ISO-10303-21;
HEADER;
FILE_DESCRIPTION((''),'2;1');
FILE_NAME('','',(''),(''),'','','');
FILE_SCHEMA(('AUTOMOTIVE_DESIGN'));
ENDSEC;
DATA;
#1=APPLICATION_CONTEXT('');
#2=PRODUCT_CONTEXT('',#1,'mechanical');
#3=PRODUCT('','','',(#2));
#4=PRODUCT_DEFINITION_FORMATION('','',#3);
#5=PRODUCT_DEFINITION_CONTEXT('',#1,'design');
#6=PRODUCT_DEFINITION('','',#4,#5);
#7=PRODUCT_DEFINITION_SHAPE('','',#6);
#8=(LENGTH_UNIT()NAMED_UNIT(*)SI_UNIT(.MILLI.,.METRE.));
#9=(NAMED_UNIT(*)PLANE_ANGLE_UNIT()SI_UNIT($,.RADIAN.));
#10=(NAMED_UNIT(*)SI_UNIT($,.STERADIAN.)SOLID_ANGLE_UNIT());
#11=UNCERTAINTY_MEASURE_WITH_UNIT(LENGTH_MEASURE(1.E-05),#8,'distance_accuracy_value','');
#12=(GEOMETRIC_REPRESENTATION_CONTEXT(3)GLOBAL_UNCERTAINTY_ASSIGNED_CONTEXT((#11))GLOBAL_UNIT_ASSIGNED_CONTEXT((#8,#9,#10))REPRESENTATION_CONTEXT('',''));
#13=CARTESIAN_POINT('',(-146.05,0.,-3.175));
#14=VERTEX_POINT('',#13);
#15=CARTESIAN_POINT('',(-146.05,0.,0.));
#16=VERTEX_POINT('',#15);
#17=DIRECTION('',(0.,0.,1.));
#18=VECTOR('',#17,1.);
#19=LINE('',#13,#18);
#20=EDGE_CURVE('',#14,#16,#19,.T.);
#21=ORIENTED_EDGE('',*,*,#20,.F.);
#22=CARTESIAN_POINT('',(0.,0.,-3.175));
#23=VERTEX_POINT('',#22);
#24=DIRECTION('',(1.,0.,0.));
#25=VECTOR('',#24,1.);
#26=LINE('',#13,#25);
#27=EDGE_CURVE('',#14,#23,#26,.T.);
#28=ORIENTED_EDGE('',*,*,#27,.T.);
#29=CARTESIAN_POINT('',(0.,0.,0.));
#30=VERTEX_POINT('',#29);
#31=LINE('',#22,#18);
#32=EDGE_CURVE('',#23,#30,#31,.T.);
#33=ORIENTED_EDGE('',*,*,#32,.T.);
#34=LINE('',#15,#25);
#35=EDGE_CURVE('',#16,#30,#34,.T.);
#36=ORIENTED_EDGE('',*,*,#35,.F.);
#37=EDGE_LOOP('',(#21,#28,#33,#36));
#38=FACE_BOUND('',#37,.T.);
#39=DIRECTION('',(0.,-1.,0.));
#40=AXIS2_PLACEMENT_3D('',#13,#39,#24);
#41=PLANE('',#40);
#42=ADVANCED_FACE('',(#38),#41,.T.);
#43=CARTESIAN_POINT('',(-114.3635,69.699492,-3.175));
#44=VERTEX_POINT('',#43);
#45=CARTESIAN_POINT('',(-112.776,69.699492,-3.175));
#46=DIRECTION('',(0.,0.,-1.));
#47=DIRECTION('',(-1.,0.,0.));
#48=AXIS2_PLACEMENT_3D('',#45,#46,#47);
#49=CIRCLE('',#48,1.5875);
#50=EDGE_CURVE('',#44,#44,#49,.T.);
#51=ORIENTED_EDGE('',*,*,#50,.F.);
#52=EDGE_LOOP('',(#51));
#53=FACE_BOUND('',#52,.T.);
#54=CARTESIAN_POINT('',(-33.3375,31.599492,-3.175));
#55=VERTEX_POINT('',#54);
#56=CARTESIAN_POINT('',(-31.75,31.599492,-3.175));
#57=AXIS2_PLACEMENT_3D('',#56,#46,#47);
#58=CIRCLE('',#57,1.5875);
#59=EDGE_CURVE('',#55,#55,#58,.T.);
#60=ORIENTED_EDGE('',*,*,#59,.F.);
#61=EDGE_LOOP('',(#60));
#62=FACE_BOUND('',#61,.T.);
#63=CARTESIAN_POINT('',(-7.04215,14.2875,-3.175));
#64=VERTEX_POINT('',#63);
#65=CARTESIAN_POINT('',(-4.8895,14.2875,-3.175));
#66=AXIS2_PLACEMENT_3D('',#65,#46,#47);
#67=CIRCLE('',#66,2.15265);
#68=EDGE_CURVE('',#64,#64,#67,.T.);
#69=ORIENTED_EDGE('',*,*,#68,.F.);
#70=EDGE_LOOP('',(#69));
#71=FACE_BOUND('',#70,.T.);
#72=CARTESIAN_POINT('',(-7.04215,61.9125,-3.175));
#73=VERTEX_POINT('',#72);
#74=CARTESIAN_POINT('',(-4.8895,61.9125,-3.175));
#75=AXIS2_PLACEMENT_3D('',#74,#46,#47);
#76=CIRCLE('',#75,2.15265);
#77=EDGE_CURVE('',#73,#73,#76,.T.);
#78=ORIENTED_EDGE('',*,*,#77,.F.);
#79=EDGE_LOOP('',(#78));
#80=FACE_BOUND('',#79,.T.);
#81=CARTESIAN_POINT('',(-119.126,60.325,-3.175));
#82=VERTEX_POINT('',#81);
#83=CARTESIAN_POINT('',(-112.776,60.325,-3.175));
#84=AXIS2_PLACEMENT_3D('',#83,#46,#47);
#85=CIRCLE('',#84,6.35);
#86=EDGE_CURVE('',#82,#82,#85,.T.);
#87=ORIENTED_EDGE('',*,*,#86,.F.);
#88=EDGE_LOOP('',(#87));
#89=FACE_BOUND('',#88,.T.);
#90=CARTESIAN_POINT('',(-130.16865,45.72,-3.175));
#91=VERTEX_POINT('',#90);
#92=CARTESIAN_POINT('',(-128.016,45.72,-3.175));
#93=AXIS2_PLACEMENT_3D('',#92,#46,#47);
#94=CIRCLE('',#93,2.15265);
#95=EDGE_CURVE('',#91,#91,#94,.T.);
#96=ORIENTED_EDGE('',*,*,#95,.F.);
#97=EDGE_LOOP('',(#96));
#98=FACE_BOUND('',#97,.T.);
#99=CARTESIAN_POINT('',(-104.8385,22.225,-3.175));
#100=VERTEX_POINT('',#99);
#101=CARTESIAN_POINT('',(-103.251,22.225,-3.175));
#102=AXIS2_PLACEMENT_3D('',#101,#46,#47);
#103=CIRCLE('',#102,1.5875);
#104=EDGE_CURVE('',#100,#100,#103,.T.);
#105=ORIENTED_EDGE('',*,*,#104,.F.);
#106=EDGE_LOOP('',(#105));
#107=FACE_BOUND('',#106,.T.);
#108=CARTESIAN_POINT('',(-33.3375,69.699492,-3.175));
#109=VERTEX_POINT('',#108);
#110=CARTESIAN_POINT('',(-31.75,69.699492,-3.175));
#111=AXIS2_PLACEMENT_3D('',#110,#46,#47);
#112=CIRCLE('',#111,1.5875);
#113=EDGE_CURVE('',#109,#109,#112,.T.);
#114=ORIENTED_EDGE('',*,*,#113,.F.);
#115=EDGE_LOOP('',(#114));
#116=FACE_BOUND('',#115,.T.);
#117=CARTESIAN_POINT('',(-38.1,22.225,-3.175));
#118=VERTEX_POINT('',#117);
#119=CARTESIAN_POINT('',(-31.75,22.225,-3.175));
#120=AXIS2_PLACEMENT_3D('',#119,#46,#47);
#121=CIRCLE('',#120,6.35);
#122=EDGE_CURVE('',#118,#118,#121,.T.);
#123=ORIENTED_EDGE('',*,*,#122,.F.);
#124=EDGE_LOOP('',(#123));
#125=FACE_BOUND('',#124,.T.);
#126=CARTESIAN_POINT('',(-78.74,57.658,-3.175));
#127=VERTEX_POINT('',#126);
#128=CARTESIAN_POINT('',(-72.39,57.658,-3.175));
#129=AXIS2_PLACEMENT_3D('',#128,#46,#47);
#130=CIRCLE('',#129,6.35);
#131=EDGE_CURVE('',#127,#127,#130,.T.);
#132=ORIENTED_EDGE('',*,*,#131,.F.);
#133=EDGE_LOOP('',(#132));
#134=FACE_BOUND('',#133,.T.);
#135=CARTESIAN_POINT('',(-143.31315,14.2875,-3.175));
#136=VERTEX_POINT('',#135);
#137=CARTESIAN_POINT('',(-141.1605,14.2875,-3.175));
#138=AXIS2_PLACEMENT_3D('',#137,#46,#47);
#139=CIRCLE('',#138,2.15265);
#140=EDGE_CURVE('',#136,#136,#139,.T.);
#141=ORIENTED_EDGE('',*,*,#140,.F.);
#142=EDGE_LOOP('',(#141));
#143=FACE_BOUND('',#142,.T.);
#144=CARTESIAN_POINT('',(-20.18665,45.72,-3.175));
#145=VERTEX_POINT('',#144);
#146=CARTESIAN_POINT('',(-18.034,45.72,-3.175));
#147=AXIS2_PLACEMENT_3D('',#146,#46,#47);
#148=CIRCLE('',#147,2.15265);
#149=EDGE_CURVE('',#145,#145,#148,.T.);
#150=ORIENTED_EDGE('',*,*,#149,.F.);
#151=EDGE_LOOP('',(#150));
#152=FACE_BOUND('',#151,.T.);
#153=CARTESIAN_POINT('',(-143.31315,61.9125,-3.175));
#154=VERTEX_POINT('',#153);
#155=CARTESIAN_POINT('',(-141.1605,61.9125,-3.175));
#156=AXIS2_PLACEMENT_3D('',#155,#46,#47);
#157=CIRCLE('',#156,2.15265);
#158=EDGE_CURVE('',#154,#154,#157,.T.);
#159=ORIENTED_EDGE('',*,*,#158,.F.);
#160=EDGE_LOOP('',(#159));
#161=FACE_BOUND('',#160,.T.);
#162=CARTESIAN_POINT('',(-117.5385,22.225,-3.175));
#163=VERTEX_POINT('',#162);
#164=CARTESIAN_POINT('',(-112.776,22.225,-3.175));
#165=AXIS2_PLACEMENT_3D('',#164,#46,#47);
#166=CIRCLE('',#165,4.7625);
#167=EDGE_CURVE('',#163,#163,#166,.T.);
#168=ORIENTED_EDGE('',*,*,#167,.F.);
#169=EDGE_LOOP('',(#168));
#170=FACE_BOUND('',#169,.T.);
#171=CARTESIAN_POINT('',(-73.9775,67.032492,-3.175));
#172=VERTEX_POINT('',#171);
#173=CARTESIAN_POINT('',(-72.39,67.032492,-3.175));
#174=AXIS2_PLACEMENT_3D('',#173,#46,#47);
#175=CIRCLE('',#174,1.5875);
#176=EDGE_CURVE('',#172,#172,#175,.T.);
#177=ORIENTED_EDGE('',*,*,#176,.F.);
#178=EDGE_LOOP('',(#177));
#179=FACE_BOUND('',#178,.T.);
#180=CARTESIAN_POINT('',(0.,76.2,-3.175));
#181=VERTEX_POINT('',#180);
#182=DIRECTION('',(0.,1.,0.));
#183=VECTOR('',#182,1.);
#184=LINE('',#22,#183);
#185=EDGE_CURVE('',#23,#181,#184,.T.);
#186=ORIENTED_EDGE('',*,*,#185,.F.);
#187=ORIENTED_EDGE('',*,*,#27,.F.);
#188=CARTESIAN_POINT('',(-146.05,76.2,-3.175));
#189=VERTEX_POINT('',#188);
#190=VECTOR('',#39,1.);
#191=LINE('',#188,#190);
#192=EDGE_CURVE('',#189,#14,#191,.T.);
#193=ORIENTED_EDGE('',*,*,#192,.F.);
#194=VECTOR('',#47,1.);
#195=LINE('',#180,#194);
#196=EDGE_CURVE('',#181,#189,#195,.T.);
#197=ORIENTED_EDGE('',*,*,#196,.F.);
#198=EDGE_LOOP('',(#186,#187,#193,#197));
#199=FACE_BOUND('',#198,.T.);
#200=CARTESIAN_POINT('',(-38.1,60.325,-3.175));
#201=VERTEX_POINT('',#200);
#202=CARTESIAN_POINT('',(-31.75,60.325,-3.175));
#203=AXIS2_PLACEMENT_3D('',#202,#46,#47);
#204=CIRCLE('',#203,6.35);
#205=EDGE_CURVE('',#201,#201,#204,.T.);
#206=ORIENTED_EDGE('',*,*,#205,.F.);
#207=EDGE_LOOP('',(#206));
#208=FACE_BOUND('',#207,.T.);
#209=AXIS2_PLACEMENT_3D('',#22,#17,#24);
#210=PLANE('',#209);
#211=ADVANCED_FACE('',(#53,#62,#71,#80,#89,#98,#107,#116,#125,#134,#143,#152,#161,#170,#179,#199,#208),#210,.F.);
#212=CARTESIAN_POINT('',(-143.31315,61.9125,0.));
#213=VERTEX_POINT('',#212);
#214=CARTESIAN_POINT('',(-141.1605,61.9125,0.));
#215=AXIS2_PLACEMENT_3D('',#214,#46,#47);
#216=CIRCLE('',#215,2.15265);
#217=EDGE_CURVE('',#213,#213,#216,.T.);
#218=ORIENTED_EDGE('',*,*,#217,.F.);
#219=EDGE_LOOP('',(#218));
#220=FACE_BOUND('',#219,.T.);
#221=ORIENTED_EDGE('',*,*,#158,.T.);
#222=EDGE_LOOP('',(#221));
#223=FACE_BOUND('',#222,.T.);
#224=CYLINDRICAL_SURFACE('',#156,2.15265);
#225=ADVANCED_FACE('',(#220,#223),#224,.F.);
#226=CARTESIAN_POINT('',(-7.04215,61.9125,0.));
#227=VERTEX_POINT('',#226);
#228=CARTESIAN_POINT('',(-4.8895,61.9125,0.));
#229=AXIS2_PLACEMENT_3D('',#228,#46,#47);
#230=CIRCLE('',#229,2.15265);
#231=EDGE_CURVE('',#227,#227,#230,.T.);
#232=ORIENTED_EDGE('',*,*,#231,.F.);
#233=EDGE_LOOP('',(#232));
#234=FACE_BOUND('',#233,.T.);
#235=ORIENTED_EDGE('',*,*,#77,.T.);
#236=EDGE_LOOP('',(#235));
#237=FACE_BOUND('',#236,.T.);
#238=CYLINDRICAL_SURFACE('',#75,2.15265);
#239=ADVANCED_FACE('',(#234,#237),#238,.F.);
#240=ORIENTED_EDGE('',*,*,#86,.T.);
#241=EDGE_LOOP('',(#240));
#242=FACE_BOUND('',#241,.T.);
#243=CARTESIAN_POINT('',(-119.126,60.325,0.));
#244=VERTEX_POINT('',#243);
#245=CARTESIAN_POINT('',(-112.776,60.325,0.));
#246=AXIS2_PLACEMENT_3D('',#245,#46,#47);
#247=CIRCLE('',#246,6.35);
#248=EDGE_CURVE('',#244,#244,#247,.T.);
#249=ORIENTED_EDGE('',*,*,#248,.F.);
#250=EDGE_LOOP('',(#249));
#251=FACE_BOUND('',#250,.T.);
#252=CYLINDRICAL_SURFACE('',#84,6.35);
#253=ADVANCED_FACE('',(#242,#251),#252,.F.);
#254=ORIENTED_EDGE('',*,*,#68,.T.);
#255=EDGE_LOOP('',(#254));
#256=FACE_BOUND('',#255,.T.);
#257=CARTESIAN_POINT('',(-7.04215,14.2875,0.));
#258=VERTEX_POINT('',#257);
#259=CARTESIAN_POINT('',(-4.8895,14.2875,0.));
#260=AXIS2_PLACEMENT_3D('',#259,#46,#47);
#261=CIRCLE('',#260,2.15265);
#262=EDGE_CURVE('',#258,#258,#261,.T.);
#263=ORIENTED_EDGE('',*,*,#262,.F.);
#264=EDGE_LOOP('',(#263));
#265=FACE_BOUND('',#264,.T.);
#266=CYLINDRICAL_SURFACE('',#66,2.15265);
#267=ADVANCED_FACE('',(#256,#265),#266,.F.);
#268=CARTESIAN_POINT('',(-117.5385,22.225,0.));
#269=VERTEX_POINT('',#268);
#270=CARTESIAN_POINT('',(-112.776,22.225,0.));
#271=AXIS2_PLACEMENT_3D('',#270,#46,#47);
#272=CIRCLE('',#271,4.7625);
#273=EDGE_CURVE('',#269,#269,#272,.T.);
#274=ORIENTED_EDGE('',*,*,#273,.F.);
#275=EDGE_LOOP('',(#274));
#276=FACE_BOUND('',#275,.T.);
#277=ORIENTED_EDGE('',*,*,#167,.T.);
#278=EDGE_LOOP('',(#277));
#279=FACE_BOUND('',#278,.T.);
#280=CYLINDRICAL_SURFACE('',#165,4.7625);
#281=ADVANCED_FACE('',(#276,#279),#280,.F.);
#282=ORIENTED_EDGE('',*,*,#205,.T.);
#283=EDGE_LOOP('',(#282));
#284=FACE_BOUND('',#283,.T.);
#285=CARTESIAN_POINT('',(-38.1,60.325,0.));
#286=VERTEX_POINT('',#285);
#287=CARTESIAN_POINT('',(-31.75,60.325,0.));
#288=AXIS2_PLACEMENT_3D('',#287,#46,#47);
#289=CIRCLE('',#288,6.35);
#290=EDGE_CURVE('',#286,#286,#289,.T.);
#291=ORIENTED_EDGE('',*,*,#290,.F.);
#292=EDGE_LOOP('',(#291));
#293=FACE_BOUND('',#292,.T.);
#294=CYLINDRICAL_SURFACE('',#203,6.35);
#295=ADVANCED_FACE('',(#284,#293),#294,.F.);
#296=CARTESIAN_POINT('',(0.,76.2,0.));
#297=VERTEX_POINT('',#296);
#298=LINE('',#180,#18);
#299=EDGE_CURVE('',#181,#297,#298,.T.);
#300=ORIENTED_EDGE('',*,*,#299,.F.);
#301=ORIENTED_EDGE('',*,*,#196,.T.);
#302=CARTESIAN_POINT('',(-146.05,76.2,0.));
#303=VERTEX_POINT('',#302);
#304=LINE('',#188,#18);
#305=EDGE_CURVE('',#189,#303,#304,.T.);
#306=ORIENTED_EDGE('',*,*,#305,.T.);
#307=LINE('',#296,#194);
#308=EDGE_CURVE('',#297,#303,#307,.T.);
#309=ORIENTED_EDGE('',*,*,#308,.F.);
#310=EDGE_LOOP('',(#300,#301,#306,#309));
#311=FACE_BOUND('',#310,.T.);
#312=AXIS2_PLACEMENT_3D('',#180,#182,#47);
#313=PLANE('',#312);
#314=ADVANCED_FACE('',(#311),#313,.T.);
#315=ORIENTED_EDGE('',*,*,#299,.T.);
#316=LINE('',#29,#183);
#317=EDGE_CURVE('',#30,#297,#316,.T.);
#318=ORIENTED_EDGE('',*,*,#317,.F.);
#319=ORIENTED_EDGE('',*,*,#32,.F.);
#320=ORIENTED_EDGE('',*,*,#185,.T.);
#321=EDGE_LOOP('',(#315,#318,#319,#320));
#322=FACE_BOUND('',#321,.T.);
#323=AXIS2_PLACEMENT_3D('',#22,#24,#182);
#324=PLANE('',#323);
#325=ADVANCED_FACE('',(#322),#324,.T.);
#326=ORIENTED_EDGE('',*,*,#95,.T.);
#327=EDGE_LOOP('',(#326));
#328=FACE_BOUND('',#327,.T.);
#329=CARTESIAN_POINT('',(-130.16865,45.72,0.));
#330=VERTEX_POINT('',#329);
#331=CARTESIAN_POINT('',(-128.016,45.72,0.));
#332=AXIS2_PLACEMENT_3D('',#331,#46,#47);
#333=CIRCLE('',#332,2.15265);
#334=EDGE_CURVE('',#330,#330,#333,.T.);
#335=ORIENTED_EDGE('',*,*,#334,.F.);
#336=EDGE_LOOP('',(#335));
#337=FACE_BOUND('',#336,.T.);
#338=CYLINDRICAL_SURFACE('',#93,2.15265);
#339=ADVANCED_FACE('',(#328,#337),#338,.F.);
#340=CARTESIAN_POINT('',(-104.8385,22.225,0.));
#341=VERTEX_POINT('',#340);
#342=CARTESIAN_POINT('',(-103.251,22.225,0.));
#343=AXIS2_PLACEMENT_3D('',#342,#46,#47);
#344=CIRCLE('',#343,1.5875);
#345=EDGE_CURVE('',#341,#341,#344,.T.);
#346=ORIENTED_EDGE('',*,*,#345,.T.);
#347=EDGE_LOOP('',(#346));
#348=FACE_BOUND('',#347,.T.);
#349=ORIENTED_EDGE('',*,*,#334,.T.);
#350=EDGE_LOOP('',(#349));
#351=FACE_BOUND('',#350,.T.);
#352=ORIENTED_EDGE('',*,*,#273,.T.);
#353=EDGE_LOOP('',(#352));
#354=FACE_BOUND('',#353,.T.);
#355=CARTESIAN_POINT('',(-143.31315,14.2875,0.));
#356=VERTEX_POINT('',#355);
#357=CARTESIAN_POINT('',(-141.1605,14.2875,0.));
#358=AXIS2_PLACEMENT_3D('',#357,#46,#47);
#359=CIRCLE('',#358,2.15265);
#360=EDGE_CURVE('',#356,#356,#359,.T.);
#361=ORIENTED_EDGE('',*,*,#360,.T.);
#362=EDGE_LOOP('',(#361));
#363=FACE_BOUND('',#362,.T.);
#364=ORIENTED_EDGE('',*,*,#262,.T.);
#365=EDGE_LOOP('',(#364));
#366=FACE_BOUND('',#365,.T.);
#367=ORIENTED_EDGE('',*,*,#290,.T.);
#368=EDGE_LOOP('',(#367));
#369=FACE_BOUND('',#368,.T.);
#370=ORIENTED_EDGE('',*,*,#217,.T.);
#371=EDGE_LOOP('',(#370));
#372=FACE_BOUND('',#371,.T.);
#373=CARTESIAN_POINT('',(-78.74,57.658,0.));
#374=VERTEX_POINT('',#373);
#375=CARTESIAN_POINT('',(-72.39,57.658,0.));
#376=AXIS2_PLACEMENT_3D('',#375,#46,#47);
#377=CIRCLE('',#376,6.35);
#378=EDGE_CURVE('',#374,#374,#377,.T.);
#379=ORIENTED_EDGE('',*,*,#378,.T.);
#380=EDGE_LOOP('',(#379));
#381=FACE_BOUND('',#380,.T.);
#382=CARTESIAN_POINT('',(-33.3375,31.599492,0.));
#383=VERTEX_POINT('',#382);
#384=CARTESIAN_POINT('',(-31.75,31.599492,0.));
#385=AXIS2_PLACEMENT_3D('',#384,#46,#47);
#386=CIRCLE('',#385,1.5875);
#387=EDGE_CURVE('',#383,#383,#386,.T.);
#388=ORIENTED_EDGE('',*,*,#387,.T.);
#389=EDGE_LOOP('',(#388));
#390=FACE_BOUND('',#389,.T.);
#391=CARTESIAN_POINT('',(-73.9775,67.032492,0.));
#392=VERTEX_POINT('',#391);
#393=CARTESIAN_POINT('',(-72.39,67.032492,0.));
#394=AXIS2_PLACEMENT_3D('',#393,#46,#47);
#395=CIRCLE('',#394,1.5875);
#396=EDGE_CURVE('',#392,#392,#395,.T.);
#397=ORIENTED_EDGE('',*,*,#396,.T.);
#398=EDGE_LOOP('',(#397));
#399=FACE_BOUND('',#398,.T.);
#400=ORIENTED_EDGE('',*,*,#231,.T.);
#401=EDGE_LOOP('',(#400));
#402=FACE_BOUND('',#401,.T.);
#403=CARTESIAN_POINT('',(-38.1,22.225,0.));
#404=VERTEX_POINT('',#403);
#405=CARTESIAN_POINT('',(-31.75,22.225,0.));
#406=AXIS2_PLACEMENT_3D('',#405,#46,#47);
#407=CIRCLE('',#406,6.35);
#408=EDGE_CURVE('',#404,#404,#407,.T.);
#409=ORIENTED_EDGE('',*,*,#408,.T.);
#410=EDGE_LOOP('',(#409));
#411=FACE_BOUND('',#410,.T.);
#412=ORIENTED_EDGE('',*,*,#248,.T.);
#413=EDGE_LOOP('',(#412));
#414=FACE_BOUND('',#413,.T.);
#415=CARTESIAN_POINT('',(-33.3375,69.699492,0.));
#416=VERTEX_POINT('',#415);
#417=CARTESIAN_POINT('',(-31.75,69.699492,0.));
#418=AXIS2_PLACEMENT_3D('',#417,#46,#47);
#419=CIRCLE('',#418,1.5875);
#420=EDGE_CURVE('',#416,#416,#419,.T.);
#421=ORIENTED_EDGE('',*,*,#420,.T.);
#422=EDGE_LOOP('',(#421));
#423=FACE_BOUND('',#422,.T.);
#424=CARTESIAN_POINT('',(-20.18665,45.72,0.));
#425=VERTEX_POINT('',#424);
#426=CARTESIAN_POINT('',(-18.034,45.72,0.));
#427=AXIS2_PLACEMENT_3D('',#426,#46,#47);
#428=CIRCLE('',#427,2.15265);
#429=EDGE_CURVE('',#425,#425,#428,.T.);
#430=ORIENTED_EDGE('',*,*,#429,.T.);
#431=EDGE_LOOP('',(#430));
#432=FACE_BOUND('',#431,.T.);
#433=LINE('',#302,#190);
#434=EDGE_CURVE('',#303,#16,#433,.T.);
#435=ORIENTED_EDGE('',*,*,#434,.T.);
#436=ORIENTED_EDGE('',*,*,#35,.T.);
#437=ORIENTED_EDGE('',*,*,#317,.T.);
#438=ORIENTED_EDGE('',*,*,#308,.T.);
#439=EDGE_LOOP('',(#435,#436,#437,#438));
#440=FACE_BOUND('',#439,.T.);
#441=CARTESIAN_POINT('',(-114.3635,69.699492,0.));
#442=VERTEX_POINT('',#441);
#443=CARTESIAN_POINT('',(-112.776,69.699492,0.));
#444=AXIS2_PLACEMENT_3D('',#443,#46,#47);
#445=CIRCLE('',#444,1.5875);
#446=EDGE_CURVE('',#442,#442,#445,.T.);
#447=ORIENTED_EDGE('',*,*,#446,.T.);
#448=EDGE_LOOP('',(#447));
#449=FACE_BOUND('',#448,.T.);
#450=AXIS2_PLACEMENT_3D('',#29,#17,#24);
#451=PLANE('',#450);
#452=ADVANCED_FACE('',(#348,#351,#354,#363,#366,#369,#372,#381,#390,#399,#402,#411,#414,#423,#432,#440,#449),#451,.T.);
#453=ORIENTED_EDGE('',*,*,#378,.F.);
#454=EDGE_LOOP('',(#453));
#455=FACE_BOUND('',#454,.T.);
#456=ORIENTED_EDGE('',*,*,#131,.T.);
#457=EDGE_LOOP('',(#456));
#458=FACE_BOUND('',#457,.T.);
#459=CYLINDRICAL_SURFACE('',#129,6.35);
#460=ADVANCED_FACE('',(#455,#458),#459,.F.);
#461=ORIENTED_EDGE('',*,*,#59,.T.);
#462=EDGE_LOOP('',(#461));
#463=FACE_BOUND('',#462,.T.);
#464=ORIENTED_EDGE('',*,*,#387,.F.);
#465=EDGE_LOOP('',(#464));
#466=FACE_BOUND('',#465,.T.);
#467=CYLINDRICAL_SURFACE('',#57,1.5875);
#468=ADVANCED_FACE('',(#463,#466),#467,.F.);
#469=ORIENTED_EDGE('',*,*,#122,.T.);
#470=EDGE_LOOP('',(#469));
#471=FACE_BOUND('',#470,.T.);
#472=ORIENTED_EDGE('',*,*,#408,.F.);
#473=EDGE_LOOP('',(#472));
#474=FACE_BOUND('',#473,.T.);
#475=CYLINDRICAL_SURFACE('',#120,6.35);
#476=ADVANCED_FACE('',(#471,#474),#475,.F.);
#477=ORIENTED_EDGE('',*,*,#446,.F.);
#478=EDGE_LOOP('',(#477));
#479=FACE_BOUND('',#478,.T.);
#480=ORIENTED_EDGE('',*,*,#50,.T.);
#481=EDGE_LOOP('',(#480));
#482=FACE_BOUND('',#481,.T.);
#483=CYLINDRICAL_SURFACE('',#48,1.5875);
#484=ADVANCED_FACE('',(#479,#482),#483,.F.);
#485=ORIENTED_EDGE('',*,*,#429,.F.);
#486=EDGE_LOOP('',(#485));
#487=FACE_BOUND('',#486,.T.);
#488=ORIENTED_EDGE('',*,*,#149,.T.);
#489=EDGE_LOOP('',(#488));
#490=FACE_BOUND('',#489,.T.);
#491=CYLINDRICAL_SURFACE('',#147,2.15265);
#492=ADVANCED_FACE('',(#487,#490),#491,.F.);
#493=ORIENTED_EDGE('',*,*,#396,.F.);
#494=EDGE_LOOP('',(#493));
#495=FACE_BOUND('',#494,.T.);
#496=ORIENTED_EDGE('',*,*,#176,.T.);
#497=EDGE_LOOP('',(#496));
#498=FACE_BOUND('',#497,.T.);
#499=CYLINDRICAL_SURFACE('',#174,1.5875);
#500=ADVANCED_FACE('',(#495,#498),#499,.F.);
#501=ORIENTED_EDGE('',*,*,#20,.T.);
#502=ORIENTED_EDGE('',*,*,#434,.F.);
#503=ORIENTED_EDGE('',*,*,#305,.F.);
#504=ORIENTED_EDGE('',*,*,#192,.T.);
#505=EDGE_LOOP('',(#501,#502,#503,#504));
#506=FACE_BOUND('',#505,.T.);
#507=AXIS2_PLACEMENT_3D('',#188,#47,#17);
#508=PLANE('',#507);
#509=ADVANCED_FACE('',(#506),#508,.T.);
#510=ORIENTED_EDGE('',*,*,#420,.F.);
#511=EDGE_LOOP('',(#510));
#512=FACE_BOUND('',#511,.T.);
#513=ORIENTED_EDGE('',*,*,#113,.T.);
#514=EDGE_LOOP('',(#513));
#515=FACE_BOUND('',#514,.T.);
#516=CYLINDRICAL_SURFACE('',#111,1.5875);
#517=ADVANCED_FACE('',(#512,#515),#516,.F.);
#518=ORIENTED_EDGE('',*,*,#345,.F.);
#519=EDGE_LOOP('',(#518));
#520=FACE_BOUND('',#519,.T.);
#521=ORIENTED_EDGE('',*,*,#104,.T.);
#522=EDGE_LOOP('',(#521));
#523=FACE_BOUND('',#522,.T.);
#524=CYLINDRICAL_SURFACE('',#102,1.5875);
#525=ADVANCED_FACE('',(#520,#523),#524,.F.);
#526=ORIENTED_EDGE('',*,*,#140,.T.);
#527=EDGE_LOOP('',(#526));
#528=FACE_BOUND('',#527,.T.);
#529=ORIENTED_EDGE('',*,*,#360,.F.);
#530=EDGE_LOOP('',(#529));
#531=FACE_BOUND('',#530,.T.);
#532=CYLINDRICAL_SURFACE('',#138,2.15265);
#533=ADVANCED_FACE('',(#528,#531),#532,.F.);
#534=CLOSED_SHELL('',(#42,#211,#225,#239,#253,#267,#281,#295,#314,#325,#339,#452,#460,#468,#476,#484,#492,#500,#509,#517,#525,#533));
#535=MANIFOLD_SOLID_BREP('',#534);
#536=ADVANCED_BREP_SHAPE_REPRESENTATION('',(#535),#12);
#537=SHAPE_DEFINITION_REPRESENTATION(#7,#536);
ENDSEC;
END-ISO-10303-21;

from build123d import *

# Parameters (mm, degrees)
SKETCH1_W                    = 146.05
SKETCH1_H                    = 76.2
BOSS_EXTRUDE1_DEPTH          = 3.175
F_6_CLEARANCE_HOLE1_D        = 4.3053
F_3_8_0_375_DIAMETER_HOLE1_D = 9.525
F_1_2_0_5_DIAMETER_HOLE1_D   = 12.7
F_1_8_0_125_DIAMETER_HOLE1_D = 3.175


with BuildPart() as part:
    # Sketch1 → Boss-Extrude1 (new body)
    with BuildSketch(Plane.XY):
        with Locations((-73.025, 38.1)):
            Rectangle(SKETCH1_W, SKETCH1_H)
    extrude(amount=-BOSS_EXTRUDE1_DEPTH)

    # #6 Clearance Hole1 (through all)
    with Locations(Plane(origin=(0, 0, -3.175), x_dir=(-1, 0, 0), z_dir=(0, 0, -1))):
        with Locations((4.8895, 61.9125), (4.8895, 14.2875), (141.1605, 14.2875), (141.1605, 61.9125), (128.016, 45.72), (18.034, 45.72)):
            Hole(F_6_CLEARANCE_HOLE1_D / 2)

    # 3/8 (0.375) Diameter Hole1 (through all)
    with Locations(Plane(origin=(0, 0, -3.175), x_dir=(-1, 0, 0), z_dir=(0, 0, -1))):
        with Locations((112.776, 22.225)):
            Hole(F_3_8_0_375_DIAMETER_HOLE1_D / 2)

    # 1/2 (0.5) Diameter Hole1 (through all)
    with Locations(Plane(origin=(0, 0, -3.175), x_dir=(-1, 0, 0), z_dir=(0, 0, -1))):
        with Locations((31.75, 60.325), (72.39, 57.658), (112.776, 60.325), (31.75, 22.225)):
            Hole(F_1_2_0_5_DIAMETER_HOLE1_D / 2)

    # 1/8 (0.125) Diameter Hole1 (through all)
    with Locations(Plane(origin=(0, 0, -3.175), x_dir=(-1, 0, 0), z_dir=(0, 0, -1))):
        with Locations((31.75, 69.699492067), (112.776, 69.699492067), (103.251, 22.225), (72.39, 67.032492067), (31.75, 31.599492067)):
            Hole(F_1_8_0_125_DIAMETER_HOLE1_D / 2)


solid = part.part
